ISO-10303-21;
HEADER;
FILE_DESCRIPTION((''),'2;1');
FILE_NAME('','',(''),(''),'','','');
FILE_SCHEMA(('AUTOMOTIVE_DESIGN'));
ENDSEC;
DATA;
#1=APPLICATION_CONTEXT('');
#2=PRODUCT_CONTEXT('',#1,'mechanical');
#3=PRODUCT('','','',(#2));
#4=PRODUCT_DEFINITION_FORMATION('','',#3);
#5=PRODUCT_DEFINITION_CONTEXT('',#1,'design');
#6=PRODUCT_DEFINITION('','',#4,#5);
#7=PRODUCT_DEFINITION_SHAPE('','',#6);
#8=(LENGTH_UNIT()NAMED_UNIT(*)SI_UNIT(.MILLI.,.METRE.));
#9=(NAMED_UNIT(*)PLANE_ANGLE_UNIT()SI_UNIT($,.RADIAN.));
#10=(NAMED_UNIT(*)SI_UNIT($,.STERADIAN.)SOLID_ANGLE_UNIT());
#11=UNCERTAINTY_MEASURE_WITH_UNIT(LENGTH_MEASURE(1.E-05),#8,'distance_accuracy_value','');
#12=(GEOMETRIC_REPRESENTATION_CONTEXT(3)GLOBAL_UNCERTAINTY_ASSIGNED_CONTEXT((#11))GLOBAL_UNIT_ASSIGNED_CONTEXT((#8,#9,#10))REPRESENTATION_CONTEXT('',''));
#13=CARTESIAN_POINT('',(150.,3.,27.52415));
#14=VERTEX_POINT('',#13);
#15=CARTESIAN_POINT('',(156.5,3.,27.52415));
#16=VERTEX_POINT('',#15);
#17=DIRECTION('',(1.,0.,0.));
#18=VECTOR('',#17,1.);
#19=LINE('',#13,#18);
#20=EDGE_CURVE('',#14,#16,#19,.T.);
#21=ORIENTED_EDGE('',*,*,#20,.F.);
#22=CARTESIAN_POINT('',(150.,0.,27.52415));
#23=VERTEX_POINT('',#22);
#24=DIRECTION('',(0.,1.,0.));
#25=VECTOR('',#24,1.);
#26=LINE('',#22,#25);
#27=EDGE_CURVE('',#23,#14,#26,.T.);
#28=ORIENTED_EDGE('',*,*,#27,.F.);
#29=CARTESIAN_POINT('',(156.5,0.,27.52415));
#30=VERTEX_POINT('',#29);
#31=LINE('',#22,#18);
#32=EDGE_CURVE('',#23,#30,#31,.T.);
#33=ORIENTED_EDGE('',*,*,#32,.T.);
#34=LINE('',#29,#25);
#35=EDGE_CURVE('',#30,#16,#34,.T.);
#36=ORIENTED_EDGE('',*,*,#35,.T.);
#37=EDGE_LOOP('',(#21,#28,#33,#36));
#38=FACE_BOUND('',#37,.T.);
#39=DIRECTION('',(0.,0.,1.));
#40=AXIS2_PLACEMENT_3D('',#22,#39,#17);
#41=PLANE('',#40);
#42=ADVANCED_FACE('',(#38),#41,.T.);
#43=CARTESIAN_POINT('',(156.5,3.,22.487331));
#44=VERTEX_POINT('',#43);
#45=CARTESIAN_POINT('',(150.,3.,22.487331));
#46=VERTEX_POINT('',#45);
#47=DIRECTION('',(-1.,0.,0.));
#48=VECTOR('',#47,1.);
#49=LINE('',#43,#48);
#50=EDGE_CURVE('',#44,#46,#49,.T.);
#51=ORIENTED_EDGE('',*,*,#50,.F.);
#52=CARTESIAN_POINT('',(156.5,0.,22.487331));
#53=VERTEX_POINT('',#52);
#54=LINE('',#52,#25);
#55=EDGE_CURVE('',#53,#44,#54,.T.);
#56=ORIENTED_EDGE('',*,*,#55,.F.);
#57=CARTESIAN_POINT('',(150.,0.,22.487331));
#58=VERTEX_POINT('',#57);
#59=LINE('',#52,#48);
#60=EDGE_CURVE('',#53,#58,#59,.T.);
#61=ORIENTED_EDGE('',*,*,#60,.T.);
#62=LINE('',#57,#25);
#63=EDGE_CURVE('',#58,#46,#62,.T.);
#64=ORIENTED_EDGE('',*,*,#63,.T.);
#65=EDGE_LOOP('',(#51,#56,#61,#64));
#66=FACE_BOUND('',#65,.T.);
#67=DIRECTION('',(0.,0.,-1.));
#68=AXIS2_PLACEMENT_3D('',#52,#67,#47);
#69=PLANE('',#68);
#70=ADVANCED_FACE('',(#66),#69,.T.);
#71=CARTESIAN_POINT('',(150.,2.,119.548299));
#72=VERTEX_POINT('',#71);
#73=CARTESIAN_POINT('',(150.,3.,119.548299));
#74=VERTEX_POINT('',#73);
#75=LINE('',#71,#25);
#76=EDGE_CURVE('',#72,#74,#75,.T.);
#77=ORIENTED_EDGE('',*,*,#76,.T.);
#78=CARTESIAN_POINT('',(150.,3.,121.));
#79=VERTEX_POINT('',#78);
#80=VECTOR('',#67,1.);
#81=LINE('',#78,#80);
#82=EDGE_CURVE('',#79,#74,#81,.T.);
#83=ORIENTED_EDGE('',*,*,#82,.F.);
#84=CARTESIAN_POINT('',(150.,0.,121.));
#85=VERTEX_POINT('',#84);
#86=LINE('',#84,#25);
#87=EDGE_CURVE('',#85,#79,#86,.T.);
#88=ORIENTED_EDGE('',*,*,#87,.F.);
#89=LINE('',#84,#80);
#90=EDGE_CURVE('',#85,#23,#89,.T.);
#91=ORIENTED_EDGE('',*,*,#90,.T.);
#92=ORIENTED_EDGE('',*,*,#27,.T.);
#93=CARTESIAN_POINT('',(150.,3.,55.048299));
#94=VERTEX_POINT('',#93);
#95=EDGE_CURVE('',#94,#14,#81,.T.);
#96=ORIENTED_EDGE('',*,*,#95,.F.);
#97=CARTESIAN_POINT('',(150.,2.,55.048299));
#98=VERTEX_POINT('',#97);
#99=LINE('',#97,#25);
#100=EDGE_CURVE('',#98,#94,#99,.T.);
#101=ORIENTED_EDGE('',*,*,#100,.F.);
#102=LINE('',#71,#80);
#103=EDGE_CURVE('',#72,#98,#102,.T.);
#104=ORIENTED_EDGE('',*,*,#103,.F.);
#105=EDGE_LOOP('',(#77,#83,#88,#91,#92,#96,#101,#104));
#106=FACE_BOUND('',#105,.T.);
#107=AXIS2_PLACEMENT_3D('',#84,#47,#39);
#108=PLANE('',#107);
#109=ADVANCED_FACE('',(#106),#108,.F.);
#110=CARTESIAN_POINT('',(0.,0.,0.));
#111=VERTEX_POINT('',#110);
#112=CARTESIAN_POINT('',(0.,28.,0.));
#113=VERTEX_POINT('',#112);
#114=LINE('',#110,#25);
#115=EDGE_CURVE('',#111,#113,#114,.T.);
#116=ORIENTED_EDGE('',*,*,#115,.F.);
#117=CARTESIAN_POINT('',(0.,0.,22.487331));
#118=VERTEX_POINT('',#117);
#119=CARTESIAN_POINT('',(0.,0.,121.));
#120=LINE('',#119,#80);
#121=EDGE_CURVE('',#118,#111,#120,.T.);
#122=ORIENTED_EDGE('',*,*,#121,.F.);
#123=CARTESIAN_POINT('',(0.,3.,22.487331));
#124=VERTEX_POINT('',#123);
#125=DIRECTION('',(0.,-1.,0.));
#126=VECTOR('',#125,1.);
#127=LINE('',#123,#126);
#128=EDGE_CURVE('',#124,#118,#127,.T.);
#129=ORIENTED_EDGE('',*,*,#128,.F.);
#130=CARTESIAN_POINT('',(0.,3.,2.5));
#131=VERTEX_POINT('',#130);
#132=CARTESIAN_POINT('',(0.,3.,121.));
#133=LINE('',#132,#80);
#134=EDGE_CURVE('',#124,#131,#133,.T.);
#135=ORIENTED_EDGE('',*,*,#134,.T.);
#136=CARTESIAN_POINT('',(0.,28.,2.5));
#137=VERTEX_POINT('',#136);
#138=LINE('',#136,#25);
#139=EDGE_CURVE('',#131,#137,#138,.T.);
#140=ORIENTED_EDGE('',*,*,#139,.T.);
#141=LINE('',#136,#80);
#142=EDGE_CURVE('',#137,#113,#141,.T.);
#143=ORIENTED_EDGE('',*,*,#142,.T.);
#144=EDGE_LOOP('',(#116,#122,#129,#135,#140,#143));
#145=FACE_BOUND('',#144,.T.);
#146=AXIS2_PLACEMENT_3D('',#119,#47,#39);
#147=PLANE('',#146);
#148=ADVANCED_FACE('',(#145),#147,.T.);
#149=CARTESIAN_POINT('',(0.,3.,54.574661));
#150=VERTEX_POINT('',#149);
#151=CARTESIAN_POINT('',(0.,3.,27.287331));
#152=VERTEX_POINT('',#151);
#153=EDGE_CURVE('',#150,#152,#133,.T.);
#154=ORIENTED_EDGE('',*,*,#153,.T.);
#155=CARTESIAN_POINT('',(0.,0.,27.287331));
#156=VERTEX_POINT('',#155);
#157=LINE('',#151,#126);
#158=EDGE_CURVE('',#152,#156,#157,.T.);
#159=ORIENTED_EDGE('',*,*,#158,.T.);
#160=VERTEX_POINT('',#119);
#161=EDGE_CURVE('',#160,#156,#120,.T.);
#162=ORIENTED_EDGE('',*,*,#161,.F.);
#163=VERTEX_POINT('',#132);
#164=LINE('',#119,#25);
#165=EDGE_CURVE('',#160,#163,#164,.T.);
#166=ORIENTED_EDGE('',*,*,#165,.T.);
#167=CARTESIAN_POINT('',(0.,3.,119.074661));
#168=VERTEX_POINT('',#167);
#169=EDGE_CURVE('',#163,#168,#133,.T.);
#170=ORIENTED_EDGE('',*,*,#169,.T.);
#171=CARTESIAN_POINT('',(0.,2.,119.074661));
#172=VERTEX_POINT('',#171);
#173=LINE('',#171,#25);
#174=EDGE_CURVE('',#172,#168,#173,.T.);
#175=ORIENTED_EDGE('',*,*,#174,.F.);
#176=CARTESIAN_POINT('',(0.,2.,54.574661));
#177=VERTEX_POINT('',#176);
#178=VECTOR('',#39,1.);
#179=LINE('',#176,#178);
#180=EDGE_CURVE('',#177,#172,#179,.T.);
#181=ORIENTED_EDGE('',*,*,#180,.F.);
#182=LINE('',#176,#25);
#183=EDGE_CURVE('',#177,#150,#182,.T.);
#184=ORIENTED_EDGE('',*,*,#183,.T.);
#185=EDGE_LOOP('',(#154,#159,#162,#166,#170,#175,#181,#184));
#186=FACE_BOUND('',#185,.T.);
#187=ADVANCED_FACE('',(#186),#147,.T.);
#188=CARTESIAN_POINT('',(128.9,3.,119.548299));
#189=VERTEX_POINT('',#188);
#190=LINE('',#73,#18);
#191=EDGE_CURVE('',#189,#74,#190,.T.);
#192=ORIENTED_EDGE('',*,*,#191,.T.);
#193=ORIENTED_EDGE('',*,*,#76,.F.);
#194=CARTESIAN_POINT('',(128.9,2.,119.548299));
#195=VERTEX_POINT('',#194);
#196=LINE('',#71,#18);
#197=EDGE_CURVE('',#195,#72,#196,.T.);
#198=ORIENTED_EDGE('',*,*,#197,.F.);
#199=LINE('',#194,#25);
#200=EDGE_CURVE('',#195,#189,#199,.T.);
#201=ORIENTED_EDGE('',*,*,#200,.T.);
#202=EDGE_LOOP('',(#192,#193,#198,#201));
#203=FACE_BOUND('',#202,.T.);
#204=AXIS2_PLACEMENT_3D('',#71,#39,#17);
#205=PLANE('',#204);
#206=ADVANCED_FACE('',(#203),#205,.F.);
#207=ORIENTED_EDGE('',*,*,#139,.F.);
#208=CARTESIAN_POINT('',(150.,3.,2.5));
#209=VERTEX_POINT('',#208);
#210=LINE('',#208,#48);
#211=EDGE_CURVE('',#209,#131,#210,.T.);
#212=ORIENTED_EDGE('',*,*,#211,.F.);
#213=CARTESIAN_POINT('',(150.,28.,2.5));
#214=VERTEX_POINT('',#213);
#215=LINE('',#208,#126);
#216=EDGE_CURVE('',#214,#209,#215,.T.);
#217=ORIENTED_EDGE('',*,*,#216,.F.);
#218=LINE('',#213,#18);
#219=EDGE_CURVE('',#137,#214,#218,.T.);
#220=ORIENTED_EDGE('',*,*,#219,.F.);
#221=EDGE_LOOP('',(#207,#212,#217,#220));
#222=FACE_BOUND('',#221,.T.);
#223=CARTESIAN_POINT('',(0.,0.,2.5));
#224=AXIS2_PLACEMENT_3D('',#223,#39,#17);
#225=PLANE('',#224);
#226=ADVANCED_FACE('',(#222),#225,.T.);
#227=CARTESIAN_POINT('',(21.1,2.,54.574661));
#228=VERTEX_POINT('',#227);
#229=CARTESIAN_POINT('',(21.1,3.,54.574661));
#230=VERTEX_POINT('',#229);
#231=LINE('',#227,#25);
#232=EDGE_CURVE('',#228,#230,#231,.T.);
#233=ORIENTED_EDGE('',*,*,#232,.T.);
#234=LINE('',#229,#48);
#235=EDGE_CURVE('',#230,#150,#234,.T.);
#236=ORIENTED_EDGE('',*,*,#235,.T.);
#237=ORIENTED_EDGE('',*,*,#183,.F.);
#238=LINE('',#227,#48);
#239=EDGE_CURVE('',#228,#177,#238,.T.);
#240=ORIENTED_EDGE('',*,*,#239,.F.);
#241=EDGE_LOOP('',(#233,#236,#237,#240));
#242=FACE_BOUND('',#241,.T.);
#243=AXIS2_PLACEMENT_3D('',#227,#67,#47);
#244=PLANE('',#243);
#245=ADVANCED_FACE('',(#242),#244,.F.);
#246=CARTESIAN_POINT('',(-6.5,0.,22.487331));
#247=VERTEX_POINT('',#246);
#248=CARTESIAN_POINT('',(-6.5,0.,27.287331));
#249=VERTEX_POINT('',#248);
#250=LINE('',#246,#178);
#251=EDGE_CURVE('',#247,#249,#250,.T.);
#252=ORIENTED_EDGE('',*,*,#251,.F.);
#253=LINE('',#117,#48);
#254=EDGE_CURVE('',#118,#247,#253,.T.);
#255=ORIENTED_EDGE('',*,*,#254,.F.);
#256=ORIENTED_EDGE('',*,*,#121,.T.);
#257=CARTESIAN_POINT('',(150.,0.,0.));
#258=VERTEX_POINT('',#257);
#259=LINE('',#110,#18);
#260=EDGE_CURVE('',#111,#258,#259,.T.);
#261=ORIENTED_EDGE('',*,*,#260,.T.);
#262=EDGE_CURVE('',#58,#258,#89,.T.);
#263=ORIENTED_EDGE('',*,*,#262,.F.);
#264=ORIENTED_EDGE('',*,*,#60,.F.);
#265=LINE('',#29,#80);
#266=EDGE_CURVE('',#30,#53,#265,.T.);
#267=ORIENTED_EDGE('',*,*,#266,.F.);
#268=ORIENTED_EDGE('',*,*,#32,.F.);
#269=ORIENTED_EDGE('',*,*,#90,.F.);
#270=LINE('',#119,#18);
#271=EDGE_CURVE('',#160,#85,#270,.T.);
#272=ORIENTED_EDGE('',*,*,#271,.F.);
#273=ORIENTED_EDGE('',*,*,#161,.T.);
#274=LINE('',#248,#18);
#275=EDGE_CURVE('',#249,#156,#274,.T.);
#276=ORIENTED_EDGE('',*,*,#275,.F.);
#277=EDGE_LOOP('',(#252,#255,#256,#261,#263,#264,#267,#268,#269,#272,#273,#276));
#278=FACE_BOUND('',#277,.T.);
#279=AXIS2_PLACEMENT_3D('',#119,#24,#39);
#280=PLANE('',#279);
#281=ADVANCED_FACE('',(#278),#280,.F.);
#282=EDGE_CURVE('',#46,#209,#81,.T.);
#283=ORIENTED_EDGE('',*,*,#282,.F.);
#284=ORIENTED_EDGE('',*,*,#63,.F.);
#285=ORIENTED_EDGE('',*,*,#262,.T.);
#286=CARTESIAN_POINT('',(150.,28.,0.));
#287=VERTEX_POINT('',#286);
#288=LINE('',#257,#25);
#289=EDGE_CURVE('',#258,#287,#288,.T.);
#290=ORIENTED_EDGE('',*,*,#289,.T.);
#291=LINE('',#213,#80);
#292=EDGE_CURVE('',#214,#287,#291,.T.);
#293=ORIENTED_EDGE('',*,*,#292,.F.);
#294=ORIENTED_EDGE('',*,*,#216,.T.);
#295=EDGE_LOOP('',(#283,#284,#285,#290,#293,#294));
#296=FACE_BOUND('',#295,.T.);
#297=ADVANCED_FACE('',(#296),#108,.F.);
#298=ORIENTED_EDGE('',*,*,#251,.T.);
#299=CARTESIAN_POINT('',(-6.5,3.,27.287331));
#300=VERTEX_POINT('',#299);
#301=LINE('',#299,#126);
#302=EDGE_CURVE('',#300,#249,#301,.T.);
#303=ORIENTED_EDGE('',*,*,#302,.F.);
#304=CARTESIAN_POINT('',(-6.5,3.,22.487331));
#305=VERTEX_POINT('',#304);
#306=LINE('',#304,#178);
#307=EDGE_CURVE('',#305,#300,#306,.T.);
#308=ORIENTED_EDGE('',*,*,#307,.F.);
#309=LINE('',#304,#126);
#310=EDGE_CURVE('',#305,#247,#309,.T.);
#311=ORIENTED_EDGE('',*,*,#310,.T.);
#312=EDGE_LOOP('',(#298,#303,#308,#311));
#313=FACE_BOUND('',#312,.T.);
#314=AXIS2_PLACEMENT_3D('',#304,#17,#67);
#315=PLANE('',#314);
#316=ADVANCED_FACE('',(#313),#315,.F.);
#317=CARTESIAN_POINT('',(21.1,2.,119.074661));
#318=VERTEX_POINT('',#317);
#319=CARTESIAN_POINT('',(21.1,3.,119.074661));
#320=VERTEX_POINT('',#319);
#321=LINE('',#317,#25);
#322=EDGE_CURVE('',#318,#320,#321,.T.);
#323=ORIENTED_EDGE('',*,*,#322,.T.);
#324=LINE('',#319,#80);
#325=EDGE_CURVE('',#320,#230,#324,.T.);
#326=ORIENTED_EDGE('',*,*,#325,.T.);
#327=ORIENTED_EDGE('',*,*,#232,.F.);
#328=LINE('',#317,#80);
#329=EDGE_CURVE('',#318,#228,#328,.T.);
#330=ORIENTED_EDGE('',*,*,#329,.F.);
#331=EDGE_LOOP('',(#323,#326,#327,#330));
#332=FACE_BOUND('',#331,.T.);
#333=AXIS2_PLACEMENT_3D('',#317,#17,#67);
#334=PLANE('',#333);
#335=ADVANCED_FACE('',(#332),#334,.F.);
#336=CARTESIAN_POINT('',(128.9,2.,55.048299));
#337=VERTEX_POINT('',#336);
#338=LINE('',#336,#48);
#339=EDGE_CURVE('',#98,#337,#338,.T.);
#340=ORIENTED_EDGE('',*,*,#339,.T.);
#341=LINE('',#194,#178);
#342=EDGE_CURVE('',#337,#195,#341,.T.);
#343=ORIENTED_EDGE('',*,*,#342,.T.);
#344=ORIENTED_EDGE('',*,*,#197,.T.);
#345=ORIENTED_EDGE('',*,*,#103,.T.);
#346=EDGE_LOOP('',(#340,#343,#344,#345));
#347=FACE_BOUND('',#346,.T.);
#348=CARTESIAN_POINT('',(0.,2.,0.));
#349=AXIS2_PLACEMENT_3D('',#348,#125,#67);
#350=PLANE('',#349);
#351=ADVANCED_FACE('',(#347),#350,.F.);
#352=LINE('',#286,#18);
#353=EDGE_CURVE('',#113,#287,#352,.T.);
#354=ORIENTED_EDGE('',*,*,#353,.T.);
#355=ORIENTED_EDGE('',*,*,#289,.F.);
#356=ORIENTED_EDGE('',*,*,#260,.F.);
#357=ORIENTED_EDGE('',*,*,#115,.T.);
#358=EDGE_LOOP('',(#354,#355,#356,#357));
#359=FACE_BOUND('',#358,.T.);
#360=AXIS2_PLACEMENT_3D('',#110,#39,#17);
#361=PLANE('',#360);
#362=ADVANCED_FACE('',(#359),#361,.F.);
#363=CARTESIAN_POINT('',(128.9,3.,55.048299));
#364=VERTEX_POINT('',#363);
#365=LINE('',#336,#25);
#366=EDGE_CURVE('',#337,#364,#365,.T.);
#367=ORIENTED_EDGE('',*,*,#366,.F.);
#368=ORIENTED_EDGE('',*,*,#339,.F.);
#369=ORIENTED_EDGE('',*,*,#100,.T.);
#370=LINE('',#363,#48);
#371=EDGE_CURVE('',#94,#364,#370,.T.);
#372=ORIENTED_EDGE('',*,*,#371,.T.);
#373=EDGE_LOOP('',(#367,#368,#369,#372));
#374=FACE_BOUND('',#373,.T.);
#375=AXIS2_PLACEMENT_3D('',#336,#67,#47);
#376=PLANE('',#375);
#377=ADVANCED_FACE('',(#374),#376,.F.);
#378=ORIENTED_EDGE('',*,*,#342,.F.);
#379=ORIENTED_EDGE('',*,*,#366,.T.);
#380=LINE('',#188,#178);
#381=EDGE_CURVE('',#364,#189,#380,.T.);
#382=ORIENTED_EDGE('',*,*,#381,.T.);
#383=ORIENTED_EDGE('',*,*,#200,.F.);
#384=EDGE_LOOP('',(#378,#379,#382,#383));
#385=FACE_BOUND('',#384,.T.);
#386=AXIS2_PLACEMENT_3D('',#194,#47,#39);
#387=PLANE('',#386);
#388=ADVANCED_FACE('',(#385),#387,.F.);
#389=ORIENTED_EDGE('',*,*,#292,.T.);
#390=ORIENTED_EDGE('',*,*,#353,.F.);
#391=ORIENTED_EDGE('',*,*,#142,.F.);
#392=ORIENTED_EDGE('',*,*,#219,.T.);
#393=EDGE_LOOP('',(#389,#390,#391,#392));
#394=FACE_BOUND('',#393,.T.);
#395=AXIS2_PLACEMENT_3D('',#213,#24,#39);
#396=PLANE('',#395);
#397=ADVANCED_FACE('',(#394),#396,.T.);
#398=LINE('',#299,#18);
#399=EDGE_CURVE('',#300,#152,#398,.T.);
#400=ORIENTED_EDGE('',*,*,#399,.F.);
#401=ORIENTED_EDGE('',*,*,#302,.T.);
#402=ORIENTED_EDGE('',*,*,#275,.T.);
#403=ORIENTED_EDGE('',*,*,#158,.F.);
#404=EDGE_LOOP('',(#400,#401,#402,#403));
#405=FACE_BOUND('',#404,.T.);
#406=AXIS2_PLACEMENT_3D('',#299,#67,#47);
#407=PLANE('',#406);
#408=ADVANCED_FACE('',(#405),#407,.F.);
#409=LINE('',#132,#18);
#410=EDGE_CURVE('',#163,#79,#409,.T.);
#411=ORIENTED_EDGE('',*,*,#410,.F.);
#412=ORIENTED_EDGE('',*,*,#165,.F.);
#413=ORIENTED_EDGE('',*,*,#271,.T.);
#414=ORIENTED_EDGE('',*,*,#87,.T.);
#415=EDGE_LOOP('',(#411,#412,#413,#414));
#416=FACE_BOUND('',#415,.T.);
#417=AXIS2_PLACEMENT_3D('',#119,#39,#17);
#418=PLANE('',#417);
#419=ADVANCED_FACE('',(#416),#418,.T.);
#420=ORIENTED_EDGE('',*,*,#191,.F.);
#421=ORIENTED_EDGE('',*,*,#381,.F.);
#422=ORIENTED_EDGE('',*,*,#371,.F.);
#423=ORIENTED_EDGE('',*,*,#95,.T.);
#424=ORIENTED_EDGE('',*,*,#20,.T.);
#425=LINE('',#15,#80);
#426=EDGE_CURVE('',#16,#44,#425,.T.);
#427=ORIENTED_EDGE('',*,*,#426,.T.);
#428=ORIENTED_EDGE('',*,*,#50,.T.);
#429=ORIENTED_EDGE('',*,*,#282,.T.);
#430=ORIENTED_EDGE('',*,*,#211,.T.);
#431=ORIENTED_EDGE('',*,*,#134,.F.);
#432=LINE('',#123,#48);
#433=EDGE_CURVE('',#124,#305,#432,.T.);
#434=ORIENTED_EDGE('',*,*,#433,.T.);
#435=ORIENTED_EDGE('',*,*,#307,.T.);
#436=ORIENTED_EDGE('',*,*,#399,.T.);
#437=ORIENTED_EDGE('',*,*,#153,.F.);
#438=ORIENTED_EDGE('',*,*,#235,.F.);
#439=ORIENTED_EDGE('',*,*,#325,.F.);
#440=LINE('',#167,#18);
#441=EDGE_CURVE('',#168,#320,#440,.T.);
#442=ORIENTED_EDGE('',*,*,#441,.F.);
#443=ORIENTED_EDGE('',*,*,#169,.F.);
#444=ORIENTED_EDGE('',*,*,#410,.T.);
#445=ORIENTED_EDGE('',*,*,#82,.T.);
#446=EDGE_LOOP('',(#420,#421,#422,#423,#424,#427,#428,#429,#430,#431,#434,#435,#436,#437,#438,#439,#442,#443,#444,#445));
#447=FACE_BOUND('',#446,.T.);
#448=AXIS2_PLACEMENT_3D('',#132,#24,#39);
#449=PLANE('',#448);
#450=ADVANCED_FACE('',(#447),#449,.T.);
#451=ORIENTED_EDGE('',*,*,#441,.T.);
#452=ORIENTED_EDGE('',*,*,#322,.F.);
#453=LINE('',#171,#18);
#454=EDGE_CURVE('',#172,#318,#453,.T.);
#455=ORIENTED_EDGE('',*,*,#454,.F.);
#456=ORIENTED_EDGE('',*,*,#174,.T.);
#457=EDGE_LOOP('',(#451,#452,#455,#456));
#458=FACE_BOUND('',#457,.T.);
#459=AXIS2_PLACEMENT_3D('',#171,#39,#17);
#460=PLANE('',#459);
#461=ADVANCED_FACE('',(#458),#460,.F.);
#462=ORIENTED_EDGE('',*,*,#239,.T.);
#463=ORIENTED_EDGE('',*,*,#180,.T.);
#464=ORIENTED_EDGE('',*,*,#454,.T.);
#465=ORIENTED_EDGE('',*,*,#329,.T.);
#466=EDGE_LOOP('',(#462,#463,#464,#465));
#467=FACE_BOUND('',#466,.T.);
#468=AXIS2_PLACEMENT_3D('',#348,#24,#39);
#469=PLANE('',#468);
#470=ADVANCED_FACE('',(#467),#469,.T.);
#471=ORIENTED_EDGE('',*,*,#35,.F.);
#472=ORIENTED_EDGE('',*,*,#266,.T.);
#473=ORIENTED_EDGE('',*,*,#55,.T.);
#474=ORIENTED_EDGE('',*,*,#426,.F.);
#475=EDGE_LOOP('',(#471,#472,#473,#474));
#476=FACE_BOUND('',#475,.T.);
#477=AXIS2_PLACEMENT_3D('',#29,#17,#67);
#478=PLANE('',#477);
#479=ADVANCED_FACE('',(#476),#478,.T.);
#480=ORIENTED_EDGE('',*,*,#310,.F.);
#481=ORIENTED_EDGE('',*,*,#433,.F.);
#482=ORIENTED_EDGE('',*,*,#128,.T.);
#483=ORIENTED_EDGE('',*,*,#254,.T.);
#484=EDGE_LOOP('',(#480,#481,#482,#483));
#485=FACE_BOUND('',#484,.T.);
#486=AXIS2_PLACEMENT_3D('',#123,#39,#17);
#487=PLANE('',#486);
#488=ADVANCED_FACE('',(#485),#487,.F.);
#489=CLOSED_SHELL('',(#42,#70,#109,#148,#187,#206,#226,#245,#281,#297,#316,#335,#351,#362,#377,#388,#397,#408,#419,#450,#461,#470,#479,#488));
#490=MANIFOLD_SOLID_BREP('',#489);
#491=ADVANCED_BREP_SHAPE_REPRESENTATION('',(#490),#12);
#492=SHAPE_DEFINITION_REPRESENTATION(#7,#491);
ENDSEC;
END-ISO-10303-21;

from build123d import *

# Parameters (mm, degrees)
SKETCH1_W           = 150
SKETCH1_H           = 3
BOSS_EXTRUDE1_DEPTH = 121
SKETCH3_W           = 21.1
SKETCH3_H           = 64.5
CUT_EXTRUDE1_DEPTH  = 1
SKETCH4_W           = 21.1
SKETCH4_H           = 64.5
CUT_EXTRUDE2_DEPTH  = 1
SKETCH6_W           = 6.5
SKETCH6_H           = 4.8
BOSS_EXTRUDE5_DEPTH = 3
SKETCH9_W           = 6.5
SKETCH9_H           = 5.03681905
BOSS_EXTRUDE7_DEPTH = 3
SKETCH10_W          = 150
SKETCH10_H          = 25
BOSS_EXTRUDE8_DEPTH = 2.5


with BuildPart() as part:
    # Sketch1 → Boss-Extrude1 (new body)
    with BuildSketch(Plane.XY):
        with Locations((75, 1.5)):
            Rectangle(SKETCH1_W, SKETCH1_H)
    extrude(amount=BOSS_EXTRUDE1_DEPTH)

    # Sketch3 → Cut-Extrude1 (cut)
    with BuildSketch(Plane(origin=(0, 3, 0), x_dir=(1, 0, 0), z_dir=(0, 1, 0))):
        with Locations((10.55, -86.824661278)):
            Rectangle(SKETCH3_W, SKETCH3_H)
    extrude(amount=-CUT_EXTRUDE1_DEPTH, mode=Mode.SUBTRACT)

    # Sketch4 → Cut-Extrude2 (cut)
    with BuildSketch(Plane(origin=(0, 3, 0), x_dir=(1, 0, 0), z_dir=(0, 1, 0))):
        with Locations((139.45, -87.298299378)):
            Rectangle(SKETCH4_W, SKETCH4_H)
    extrude(amount=-CUT_EXTRUDE2_DEPTH, mode=Mode.SUBTRACT)

    # Sketch6 → Boss-Extrude5 (add)
    with BuildSketch(Plane(origin=(0, 0, 0), x_dir=(1, 0, 0), z_dir=(0, 1, 0))):
        with Locations((-3.25, -24.887330639)):
            Rectangle(SKETCH6_W, SKETCH6_H)
    extrude(amount=BOSS_EXTRUDE5_DEPTH)

    # Sketch9 → Boss-Extrude7 (add)
    with BuildSketch(Plane(origin=(0, 3, 0), x_dir=(1, 0, 0), z_dir=(0, 1, 0))):
        with Locations((153.25, -25.005740164)):
            Rectangle(SKETCH9_W, SKETCH9_H)
    extrude(amount=-BOSS_EXTRUDE7_DEPTH)

    # Sketch10 → Boss-Extrude8 (add)
    with BuildSketch(Plane(origin=(0, 0, 0), x_dir=(-1, 0, 0), z_dir=(0, 0, -1))):
        with Locations((-75, 15.5)):
            Rectangle(SKETCH10_W, SKETCH10_H)
    extrude(amount=-BOSS_EXTRUDE8_DEPTH)


solid = part.part
